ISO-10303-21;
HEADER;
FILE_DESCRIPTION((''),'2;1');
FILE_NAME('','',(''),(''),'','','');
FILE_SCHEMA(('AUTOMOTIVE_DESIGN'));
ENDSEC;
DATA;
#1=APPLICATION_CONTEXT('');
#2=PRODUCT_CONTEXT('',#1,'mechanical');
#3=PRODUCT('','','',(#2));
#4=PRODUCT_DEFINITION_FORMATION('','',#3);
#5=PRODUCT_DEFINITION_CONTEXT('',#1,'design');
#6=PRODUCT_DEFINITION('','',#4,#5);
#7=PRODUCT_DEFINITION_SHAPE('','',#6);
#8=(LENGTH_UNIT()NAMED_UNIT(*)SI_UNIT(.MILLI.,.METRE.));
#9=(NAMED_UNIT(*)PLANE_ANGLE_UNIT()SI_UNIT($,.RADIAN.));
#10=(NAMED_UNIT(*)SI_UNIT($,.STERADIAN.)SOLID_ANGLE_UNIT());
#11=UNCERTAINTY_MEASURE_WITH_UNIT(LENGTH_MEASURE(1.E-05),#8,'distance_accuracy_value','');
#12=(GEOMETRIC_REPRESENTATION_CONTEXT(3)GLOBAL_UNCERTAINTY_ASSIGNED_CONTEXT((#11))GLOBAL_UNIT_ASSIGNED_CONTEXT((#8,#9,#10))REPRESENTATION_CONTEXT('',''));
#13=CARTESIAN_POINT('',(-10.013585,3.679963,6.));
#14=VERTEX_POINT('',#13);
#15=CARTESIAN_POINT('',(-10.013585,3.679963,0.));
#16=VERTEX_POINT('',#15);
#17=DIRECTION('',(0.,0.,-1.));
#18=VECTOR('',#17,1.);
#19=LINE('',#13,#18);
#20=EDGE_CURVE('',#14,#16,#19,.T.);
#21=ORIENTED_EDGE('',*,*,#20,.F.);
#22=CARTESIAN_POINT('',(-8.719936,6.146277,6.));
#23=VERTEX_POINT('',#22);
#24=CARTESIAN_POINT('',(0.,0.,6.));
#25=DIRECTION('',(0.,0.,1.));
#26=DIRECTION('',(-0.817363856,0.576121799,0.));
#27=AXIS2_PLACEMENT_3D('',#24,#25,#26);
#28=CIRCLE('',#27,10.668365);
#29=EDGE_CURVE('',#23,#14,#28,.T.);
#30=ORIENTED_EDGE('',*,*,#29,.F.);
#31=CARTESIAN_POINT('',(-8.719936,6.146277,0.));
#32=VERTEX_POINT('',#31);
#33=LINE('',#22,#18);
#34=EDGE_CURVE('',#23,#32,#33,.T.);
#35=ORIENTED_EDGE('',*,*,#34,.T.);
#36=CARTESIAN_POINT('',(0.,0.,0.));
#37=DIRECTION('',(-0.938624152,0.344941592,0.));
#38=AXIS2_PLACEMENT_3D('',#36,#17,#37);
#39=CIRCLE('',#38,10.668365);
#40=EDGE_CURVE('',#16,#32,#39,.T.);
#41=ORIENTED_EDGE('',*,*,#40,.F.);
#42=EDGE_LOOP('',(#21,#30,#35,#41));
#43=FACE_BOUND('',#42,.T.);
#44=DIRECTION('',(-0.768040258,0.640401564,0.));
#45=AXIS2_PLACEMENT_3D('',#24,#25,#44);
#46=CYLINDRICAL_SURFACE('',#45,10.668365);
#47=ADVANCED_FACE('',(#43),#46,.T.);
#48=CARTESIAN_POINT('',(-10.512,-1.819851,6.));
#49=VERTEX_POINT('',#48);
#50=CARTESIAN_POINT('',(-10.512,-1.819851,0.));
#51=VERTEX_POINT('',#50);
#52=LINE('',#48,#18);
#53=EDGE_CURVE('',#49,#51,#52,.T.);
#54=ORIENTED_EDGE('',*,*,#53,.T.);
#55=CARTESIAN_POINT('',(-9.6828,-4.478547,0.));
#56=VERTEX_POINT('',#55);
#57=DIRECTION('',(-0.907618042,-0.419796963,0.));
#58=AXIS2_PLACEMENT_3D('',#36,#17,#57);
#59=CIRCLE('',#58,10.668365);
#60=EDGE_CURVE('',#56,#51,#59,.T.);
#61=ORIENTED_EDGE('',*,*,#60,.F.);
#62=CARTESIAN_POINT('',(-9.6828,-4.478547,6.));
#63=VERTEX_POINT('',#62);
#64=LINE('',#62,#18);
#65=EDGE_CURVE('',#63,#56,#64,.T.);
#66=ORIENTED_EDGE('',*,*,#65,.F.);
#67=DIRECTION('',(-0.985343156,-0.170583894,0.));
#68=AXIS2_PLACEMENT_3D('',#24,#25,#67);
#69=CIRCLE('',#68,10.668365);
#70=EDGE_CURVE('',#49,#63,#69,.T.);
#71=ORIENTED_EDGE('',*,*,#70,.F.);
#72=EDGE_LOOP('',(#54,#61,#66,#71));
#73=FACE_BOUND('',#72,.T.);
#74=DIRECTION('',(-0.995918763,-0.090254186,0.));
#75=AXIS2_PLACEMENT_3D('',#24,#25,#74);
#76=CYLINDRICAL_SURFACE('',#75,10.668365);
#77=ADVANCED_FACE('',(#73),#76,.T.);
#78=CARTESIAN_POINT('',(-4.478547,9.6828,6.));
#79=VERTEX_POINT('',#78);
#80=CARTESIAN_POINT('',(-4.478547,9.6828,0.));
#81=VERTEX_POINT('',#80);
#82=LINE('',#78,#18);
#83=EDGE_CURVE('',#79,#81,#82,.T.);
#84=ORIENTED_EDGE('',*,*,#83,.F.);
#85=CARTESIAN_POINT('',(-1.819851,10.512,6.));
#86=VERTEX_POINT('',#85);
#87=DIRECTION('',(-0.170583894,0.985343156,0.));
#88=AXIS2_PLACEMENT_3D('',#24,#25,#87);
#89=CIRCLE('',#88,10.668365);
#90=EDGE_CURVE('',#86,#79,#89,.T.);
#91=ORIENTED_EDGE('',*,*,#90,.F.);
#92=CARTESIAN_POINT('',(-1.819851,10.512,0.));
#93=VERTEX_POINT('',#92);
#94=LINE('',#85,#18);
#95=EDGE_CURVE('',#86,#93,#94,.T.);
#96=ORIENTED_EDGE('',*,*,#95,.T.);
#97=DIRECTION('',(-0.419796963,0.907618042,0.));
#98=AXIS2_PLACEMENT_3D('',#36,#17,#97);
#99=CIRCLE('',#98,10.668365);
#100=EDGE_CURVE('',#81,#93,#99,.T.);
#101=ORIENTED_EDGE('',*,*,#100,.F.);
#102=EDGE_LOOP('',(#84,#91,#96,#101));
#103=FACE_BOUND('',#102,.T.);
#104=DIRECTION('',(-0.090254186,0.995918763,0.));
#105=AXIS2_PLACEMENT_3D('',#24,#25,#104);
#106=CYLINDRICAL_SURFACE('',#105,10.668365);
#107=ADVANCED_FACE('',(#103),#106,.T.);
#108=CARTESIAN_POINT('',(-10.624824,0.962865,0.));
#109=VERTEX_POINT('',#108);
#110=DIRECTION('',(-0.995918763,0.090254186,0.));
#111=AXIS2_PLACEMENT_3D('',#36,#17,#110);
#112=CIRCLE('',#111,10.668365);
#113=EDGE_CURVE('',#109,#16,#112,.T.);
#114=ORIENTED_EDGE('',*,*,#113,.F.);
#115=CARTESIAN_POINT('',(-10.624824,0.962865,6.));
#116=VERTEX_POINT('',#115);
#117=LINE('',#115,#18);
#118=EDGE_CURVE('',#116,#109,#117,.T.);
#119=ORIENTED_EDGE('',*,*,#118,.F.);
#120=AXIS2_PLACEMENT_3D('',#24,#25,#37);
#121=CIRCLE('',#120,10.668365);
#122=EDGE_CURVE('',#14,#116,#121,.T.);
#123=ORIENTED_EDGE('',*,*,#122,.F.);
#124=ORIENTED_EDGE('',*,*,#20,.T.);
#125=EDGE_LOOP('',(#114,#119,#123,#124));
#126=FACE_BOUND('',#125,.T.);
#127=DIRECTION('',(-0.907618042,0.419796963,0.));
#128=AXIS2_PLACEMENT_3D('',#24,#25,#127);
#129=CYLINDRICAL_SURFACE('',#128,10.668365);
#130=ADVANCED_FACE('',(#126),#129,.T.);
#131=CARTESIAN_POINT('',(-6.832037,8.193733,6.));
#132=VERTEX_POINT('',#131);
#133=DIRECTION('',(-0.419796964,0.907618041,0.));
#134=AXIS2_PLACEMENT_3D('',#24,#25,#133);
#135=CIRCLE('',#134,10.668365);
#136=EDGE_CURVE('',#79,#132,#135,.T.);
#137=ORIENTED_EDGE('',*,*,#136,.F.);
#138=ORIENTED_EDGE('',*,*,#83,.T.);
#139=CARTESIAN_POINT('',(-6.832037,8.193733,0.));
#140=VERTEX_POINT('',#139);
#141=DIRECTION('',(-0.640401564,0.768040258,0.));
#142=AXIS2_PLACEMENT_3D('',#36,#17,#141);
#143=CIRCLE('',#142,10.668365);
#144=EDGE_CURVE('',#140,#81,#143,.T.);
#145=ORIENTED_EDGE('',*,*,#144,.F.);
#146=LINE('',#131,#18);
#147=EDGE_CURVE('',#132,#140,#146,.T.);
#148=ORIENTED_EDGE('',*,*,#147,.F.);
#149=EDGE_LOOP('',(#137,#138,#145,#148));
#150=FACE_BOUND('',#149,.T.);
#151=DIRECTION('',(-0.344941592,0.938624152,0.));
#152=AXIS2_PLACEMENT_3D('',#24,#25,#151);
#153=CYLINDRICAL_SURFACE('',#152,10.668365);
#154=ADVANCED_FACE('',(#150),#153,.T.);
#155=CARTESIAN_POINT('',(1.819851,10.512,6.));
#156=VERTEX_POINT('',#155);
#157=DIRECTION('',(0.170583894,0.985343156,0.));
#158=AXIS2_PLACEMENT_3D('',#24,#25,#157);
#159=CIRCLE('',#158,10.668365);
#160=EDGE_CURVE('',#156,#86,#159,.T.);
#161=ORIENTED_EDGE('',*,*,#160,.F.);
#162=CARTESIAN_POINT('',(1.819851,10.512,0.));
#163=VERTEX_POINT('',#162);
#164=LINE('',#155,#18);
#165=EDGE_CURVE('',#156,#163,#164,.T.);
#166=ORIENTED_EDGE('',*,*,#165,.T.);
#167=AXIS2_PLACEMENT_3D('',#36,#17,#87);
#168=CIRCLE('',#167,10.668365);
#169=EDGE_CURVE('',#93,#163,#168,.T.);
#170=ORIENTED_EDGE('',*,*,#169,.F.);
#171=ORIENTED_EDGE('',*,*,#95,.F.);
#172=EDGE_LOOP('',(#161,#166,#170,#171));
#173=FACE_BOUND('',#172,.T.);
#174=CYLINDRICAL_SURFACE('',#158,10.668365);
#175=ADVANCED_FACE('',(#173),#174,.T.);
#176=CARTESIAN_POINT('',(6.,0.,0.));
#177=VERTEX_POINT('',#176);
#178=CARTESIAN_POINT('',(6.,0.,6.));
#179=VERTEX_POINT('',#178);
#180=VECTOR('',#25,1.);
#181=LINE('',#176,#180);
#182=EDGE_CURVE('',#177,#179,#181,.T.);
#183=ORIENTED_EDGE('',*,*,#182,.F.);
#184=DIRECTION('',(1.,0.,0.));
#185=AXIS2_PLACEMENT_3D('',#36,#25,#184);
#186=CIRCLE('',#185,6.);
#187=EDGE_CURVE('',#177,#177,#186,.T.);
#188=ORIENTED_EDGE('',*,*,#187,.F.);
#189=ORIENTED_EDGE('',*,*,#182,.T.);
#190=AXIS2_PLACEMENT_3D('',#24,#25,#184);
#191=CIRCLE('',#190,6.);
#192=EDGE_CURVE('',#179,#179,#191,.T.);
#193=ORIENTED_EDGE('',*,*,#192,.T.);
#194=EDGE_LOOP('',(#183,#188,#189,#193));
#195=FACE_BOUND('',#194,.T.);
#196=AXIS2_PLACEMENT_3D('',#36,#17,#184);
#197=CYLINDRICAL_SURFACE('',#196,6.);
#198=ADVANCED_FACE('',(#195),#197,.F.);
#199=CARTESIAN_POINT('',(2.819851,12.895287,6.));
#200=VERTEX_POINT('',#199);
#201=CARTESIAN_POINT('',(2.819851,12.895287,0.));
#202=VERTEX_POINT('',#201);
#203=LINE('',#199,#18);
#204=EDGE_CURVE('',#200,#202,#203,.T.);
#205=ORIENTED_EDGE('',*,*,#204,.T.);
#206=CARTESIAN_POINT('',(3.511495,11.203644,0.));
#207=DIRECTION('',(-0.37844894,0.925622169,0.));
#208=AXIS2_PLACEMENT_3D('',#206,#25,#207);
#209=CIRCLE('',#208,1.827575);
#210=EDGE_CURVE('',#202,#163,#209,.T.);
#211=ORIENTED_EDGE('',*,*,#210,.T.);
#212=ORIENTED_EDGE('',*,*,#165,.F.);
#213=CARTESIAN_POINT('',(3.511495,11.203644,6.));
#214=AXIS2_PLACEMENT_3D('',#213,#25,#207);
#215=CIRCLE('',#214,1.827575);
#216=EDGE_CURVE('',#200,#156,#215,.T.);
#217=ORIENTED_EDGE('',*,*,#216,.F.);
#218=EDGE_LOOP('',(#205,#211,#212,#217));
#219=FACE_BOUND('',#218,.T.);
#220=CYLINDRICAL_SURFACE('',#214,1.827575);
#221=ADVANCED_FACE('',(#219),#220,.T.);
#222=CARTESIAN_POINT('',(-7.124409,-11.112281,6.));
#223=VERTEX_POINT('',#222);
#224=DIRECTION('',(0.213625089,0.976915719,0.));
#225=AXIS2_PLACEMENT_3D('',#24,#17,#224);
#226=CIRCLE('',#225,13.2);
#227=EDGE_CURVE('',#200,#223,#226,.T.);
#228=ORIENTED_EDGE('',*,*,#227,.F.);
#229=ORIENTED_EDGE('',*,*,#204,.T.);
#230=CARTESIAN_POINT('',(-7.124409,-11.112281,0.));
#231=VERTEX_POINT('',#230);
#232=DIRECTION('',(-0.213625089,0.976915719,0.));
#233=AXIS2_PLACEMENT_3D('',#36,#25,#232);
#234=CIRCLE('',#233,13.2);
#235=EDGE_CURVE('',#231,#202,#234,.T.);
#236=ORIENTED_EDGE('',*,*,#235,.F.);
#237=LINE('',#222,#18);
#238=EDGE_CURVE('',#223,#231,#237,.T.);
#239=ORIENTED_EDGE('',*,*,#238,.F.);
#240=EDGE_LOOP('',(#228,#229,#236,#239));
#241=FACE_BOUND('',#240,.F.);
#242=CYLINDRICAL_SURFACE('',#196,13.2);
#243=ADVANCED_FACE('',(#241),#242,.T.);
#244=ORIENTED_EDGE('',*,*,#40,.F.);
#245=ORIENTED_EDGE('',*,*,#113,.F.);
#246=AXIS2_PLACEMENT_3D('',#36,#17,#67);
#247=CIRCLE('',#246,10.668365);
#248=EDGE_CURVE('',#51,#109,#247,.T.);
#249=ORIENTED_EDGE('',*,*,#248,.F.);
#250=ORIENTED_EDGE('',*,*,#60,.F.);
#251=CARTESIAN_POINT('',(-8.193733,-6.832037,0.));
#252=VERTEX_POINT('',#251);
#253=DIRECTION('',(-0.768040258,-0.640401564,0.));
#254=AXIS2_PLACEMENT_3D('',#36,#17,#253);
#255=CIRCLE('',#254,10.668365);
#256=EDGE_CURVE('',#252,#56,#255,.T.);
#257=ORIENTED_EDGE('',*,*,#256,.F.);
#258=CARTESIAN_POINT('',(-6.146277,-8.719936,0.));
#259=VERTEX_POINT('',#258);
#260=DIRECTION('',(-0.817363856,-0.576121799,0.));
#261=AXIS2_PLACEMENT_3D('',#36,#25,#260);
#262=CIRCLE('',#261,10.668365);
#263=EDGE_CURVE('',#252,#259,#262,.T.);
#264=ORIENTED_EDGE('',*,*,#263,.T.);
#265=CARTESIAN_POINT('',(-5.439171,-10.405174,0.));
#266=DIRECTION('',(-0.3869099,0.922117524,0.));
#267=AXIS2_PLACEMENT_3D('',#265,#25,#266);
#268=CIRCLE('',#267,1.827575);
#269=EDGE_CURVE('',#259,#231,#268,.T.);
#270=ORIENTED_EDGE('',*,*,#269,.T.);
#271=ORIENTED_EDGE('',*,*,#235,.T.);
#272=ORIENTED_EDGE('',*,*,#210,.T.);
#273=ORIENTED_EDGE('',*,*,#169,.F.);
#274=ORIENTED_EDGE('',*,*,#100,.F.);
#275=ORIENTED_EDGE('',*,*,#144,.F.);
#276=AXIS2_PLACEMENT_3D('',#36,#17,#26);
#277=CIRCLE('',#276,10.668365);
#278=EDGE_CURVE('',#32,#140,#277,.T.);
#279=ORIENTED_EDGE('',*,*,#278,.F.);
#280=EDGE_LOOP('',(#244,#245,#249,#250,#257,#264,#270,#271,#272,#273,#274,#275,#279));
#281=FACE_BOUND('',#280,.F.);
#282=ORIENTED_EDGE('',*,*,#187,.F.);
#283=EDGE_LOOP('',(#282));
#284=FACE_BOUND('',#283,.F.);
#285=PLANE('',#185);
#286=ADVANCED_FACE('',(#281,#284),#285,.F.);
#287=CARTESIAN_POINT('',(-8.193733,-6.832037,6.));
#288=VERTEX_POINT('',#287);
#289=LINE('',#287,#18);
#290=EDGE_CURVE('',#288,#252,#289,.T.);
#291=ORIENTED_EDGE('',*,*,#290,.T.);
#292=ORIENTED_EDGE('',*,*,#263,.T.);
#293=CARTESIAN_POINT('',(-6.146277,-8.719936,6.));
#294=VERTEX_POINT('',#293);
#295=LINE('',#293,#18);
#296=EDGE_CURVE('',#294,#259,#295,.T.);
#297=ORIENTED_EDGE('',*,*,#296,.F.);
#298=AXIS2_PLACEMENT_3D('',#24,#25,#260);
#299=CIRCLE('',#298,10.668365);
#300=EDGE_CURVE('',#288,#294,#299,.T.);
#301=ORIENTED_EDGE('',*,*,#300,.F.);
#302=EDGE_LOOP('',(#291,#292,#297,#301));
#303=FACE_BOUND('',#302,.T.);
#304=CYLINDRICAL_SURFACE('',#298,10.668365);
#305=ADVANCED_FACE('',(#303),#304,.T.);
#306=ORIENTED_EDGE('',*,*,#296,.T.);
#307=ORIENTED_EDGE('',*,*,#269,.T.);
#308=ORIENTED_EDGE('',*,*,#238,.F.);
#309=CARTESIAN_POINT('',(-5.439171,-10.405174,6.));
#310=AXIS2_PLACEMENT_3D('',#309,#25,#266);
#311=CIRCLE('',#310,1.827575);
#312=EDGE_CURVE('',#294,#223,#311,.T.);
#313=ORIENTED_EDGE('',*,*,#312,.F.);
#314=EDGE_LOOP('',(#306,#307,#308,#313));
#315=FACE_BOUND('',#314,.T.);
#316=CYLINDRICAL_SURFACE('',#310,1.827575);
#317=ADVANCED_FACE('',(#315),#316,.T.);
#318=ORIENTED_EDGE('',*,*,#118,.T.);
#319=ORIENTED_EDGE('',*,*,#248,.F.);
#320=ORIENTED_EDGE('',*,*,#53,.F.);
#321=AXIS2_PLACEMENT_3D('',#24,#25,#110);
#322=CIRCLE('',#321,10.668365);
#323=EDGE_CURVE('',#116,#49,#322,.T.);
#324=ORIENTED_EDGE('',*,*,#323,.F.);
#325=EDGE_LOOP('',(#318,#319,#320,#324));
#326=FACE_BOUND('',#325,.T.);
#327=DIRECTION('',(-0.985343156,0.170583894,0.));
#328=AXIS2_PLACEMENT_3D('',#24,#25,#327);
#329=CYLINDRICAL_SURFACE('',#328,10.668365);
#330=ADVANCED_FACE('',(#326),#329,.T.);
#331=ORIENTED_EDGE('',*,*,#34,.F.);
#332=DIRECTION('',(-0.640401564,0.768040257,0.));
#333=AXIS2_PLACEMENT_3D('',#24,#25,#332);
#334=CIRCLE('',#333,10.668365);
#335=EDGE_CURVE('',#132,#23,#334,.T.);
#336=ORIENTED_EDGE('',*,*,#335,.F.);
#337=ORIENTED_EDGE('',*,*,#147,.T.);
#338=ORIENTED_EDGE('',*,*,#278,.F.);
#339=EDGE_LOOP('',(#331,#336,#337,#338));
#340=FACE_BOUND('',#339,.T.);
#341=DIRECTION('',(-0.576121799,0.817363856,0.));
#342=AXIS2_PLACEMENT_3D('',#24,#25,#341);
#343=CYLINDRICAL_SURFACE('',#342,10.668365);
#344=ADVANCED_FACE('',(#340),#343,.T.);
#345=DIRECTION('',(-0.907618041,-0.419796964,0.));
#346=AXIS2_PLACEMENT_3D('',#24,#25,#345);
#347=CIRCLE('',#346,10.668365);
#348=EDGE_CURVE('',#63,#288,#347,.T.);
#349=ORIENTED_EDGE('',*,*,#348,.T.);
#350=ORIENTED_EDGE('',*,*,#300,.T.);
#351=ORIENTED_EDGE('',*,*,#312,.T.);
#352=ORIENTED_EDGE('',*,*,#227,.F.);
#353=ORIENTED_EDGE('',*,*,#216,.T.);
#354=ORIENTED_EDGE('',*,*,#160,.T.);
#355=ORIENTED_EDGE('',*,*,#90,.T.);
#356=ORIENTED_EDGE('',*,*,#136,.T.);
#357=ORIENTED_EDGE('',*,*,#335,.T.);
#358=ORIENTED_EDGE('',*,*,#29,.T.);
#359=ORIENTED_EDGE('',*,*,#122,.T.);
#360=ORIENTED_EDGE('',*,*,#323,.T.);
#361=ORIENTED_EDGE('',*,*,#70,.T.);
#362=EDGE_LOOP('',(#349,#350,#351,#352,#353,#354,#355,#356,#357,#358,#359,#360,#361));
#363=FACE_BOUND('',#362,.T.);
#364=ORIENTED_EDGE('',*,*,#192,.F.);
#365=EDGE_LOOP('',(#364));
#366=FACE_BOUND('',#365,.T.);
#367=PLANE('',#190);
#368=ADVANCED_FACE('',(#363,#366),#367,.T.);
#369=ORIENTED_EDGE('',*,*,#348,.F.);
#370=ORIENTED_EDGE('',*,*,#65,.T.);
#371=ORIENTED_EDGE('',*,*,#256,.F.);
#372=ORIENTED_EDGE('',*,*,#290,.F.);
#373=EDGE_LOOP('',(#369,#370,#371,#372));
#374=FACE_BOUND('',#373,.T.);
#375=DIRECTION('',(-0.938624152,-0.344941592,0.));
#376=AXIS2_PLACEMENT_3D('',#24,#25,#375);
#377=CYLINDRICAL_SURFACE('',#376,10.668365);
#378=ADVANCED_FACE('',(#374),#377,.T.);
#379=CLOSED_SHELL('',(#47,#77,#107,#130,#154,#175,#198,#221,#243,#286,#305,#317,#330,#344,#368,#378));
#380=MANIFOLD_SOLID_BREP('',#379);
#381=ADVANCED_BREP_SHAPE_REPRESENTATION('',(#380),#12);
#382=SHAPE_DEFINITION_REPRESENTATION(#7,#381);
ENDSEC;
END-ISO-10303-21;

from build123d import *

# Parameters (mm, degrees)
SKETCH1_R           = 13.2
SKETCH1_R_2         = 6
BOSS_EXTRUDE1_DEPTH = 6
CUT_EXTRUDE1_DEPTH  = 7
CIRPATTERN2_COUNT   = 10
CIRPATTERN2_ANGLE   = 135


with BuildPart() as part:
    # Sketch1 → Boss-Extrude1 (new body)
    with BuildSketch(Plane.XY):
        Circle(SKETCH1_R)
        Circle(SKETCH1_R_2, mode=Mode.SUBTRACT)
    extrude(amount=BOSS_EXTRUDE1_DEPTH)

    # Sketch2 → Cut-Extrude1 (cut, through all)
    with BuildSketch(Plane.XY.offset(6)):
        with BuildLine():
            ThreePointArc((-2.819851171, 12.895287487), (0, 13.2), (2.819851171, 12.895287487))
            ThreePointArc((2.819851171, 12.895287487), (1.826256171, 11.910750525), (1.819851171, 10.512))
            ThreePointArc((1.819851171, 10.512), (0, 10.668364555), (-1.819851171, 10.512))
            ThreePointArc((-1.819851171, 10.512), (-1.826256171, 11.910750525), (-2.819851171, 12.895287487))
        make_face()
    cut_extrude1 = extrude(amount=-CUT_EXTRUDE1_DEPTH, mode=Mode.SUBTRACT)

    # CirPattern2: Cut-Extrude1 ×10 about axis
    cirpattern2_axis = Axis((0, 0, 6), (0, 0, 1))
    for i in range(1, CIRPATTERN2_COUNT):
        add(cut_extrude1.rotate(cirpattern2_axis, i * CIRPATTERN2_ANGLE / (CIRPATTERN2_COUNT - 1)), mode=Mode.SUBTRACT)


solid = part.part
